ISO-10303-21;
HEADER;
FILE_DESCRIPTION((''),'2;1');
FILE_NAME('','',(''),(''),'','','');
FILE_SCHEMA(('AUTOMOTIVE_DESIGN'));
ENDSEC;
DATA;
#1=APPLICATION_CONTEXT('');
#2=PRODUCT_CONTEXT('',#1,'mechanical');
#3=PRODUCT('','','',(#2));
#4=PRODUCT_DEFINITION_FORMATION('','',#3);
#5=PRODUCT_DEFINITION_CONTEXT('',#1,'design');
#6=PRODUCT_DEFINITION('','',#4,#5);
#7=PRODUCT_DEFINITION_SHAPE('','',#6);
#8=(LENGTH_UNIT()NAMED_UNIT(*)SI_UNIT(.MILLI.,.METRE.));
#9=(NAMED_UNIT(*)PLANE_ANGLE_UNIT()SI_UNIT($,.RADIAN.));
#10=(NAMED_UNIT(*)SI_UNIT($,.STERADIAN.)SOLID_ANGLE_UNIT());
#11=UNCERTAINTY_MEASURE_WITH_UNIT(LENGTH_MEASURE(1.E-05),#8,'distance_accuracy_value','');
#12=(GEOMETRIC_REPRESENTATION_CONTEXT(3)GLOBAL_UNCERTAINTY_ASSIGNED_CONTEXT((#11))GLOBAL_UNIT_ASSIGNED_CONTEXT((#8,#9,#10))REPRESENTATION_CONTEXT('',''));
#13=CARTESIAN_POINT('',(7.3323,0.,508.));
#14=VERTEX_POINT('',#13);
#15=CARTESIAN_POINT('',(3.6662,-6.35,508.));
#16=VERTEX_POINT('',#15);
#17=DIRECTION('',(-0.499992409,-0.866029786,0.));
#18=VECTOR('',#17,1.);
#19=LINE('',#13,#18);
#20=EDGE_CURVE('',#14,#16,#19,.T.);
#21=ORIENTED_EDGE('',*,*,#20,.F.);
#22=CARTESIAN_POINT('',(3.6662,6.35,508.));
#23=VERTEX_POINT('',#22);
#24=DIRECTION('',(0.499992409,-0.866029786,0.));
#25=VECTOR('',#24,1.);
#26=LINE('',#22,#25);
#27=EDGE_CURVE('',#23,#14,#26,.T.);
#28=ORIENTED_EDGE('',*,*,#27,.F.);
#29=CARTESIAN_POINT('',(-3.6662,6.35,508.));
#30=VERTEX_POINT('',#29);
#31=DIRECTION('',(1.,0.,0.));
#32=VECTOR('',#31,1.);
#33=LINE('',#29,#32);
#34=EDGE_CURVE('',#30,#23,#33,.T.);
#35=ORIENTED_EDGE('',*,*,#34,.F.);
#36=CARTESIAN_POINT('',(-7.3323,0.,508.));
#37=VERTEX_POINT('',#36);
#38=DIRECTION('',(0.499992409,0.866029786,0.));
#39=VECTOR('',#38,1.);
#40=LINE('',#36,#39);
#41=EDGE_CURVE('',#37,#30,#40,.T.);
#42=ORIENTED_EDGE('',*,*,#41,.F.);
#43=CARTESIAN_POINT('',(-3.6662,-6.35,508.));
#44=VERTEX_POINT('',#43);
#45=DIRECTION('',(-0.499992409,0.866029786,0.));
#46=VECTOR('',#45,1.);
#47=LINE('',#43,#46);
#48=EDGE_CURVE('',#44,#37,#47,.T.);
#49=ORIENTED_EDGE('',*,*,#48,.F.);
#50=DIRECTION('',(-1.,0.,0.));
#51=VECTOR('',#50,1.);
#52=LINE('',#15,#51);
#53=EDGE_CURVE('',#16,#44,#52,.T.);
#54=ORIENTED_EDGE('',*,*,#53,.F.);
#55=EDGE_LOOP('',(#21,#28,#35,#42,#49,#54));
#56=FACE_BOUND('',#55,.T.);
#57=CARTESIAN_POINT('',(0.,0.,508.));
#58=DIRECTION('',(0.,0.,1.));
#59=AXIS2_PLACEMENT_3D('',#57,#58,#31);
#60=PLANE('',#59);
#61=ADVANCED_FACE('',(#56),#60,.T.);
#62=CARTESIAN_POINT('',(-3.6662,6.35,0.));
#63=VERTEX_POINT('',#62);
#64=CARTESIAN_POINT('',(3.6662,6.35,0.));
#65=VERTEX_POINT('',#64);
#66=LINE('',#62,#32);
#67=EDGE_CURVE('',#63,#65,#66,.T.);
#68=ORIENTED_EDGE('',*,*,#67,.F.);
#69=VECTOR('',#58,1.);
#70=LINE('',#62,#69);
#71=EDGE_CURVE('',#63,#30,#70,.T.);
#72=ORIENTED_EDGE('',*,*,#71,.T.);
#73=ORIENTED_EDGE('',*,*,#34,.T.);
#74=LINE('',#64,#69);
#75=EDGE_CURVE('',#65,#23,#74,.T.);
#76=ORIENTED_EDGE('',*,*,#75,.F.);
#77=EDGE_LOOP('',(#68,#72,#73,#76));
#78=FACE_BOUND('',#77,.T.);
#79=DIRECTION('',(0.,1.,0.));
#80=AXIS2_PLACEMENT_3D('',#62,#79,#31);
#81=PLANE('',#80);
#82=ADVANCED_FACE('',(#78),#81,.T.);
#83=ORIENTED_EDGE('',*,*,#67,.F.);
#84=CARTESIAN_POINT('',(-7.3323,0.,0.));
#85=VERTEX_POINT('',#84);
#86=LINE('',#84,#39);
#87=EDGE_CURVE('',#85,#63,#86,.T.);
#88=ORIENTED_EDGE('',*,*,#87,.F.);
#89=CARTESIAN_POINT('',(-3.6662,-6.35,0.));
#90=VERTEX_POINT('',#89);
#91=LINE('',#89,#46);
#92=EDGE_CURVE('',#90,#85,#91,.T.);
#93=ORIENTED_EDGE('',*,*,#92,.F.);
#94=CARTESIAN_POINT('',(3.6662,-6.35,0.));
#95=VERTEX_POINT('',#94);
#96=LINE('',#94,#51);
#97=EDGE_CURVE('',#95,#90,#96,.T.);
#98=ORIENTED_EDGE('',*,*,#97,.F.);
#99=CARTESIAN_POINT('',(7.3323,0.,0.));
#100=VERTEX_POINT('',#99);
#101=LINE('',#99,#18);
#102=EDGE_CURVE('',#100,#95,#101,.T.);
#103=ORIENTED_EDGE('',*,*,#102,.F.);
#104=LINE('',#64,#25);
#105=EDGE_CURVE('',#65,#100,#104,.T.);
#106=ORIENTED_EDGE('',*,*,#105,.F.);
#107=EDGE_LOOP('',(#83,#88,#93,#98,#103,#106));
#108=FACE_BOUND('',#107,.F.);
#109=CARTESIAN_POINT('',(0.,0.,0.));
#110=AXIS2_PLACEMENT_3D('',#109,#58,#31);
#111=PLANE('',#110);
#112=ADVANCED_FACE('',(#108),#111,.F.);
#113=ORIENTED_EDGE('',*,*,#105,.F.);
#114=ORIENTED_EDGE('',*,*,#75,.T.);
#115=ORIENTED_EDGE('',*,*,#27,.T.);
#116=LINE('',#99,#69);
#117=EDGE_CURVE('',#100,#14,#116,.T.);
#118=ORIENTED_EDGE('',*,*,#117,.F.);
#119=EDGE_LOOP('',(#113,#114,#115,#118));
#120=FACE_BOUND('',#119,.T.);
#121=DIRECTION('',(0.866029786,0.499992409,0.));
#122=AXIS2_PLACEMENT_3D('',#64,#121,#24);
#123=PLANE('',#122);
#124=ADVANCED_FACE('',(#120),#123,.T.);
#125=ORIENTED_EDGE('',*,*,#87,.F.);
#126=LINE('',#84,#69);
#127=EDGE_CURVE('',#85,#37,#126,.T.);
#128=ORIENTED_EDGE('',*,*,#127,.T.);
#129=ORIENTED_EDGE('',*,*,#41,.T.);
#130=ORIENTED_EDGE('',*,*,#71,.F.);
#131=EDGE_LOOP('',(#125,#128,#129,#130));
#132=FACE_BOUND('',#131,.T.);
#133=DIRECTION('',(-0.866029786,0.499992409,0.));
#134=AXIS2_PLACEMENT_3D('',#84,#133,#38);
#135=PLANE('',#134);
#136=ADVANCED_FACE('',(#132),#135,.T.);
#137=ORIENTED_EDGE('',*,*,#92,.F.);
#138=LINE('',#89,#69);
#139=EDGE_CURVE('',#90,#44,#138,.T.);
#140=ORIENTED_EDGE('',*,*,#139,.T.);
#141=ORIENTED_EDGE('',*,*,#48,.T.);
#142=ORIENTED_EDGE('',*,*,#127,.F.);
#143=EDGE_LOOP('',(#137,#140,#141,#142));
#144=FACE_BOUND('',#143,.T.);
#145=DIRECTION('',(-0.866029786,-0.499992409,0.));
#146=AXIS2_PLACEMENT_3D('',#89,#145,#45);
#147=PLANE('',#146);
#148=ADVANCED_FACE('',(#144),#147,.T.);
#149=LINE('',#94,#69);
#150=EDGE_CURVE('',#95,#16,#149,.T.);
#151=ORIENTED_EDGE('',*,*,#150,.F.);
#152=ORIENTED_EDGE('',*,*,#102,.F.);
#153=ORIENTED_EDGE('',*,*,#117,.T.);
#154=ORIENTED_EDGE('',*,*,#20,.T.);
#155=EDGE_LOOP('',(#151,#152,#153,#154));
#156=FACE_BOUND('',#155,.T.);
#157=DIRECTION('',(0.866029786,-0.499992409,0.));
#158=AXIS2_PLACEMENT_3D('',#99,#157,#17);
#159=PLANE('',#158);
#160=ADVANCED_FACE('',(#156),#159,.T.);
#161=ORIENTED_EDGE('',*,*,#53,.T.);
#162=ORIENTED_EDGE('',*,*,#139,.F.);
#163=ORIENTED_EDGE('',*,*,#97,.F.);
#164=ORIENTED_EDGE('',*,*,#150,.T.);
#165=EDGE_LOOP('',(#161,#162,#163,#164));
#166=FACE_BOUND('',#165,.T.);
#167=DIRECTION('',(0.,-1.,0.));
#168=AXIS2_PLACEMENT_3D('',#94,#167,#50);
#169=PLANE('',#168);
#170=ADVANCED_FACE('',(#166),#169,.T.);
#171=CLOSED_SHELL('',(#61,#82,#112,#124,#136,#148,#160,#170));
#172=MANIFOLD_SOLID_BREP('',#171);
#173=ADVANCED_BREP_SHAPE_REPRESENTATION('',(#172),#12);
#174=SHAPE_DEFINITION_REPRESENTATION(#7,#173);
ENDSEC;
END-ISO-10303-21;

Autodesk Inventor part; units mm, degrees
ref_plane "YZ Plane" through (0, 0, 0) normal (1, 0, 0) x (0, 1, 0)
ref_plane "XZ Plane" through (0, 0, 0) normal (0, 1, 0) x (-1, 0, 0)
ref_plane "XY Plane" through (0, 0, 0) normal (0, 0, 1) x (1, 0, 0)
sketch "Sketch1" plane through (0, 0, 0) normal (0, 0, 1) x (1, 0, 0)
  line L0 (3.6662, 6.35) -> (7.3323, 0)
  line L1 (7.3323, 0) -> (3.6662, -6.35)
  line L2 (3.6662, -6.35) -> (-3.6662, -6.35)
  line L3 (-3.6662, -6.35) -> (-7.3323, 0)
  line L4 (-7.3323, 0) -> (-3.6662, 6.35)
  line L5 (-3.6662, 6.35) -> (3.6662, 6.35)
  point P0 (0, 0)
  point P1 (0, 0)
  dimension "d0" = 12.7
extrude "Extrusion1" add sketch "Sketch1" along normal blind 508
properties part number "hex rod 20 inch" material "Steel, Alloy"
